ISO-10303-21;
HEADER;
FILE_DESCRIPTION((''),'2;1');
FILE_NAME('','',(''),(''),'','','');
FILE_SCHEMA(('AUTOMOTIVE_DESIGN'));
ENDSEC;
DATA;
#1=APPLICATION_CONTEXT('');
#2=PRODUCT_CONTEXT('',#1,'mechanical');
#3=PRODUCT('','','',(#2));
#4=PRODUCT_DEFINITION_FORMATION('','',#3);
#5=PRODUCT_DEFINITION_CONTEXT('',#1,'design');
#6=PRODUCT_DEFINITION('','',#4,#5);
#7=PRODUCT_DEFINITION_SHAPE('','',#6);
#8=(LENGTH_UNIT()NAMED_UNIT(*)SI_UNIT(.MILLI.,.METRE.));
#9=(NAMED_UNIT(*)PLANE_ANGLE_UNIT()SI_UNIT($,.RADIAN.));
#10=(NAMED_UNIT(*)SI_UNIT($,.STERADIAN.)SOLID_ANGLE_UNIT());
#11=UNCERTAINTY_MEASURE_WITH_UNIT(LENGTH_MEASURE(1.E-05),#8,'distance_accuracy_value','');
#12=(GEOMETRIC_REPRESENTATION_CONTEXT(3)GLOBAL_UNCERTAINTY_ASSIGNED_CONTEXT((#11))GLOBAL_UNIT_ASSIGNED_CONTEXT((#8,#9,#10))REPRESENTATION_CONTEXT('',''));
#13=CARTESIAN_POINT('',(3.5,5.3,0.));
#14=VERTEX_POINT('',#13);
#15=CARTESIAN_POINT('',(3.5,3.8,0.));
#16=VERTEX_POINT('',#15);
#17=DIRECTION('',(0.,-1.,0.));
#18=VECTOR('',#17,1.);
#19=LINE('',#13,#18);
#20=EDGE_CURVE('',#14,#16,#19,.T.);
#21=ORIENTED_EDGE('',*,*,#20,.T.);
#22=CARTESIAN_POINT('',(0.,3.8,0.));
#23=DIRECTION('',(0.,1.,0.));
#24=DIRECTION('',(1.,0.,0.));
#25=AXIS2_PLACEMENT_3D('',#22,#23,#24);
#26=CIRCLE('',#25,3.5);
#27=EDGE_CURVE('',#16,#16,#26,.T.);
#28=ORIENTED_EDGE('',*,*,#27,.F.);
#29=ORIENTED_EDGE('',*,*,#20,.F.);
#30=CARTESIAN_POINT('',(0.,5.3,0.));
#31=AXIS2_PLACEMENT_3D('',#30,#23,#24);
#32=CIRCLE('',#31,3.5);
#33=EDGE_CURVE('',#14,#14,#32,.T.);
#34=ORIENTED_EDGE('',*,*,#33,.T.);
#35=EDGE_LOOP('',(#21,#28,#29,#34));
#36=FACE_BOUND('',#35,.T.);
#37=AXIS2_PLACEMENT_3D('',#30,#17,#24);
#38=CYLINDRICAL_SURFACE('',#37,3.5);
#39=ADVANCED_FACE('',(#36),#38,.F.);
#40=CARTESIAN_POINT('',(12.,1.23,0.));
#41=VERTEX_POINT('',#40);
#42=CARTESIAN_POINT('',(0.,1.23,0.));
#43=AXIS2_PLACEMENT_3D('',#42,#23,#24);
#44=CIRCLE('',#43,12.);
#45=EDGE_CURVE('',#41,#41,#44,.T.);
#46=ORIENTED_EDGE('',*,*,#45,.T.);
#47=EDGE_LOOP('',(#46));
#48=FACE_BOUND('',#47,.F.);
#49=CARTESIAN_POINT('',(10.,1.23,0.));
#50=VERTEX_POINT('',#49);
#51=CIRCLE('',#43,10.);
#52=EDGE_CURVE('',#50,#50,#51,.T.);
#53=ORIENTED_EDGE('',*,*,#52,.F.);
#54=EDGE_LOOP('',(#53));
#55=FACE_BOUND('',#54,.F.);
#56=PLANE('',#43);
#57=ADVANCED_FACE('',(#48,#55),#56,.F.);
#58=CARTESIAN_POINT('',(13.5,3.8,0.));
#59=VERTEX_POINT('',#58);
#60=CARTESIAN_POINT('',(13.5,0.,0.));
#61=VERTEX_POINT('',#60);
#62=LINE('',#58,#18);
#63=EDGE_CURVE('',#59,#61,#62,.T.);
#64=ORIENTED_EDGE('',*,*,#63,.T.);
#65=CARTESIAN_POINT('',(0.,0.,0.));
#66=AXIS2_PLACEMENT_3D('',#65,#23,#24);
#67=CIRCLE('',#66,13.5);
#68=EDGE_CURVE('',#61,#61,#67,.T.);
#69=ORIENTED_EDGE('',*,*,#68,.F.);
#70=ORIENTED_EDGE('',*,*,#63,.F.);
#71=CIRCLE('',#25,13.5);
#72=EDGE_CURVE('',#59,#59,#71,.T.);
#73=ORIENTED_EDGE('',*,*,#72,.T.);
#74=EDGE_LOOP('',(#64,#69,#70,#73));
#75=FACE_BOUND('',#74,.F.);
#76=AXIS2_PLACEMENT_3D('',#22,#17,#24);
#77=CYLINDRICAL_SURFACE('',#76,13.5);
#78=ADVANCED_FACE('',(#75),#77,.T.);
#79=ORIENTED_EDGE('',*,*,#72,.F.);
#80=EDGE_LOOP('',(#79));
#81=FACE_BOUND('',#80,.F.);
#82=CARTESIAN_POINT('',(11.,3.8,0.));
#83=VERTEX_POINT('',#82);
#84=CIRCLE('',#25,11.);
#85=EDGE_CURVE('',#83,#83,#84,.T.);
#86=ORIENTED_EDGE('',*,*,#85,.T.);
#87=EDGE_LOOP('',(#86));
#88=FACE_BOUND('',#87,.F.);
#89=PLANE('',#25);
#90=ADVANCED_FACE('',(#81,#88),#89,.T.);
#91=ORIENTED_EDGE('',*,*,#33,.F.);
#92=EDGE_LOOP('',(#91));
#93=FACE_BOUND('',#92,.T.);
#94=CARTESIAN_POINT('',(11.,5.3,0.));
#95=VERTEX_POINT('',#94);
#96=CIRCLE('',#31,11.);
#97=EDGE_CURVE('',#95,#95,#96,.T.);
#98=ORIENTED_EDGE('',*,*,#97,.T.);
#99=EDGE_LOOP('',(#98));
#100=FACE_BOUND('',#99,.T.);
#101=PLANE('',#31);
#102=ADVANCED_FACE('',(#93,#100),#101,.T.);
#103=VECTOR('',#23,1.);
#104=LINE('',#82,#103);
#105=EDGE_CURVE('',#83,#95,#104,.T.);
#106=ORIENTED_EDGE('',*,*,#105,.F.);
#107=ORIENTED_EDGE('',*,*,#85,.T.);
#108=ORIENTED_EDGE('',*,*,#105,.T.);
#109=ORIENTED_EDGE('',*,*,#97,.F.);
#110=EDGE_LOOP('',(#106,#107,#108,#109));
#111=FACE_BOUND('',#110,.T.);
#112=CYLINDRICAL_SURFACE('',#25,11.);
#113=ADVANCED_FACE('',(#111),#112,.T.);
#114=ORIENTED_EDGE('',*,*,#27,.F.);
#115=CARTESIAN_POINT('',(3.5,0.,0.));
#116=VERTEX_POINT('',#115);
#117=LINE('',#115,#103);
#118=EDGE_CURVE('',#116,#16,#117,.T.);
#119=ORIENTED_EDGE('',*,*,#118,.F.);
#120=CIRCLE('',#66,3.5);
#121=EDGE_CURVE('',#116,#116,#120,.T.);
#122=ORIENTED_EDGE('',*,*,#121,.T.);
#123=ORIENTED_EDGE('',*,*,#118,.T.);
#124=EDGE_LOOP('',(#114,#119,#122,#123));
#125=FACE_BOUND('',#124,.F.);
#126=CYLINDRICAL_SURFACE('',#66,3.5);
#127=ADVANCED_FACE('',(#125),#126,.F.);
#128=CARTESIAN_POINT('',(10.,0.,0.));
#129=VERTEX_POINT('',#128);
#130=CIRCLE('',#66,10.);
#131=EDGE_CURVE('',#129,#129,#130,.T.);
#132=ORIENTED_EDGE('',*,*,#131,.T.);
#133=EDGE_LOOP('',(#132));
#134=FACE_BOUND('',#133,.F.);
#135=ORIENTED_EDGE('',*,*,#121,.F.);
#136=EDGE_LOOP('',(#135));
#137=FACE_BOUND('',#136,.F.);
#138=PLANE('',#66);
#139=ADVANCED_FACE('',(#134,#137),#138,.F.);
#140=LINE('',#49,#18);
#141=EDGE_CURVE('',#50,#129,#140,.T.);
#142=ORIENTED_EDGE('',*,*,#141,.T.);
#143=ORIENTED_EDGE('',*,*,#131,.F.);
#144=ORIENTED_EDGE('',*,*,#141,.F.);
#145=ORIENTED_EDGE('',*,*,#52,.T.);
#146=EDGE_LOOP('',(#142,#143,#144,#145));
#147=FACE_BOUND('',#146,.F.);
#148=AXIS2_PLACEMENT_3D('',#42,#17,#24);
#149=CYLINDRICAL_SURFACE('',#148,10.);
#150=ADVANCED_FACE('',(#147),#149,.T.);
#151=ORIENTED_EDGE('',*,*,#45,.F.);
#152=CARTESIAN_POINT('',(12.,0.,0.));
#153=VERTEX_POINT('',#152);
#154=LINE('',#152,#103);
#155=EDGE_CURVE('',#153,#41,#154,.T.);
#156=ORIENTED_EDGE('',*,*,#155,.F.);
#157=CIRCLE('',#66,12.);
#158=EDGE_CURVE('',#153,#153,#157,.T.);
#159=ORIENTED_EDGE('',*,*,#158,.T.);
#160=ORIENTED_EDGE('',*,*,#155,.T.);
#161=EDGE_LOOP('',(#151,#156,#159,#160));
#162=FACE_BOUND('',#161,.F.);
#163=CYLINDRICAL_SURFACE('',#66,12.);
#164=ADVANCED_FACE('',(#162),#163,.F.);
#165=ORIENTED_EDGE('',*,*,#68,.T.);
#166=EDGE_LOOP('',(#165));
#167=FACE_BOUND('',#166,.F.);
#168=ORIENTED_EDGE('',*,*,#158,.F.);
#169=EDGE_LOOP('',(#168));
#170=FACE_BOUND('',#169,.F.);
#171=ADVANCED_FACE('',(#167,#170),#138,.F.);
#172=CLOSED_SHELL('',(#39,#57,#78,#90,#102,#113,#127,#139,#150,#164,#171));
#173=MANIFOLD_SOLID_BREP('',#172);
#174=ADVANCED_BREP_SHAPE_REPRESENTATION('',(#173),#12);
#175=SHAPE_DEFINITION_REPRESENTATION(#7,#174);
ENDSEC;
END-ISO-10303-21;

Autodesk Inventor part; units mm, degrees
ref_plane "YZ Plane" through (0, 0, 0) normal (1, 0, 0) x (0, 1, 0)
ref_plane "XZ Plane" through (0, 0, 0) normal (0, 1, 0) x (-1, 0, 0)
ref_plane "XY Plane" through (0, 0, 0) normal (0, 0, 1) x (1, 0, 0)
sketch "Sketch1" plane through (0, 0, 0) normal (0, 0, 1) x (1, 0, 0)
  line L0 (0, 0) -> (0, 3.0949)
  line L1 (3.5, 0) -> (3.5, 3.8)
  line L2 (3.5, 3.8) -> (13.5, 3.8)
  line L3 (13.5, 3.8) -> (13.5, 0)
  line L4 (13.5, 0) -> (12, 0)
  line L5 (12, 0) -> (12, 1.23)
  line L6 (12, 1.23) -> (10, 1.23)
  line L7 (10, 1.23) -> (10, 0)
  line L8 (10, 0) -> (3.5, 0)
  line L9 (11, 3.8) -> (11, 5.3)
  line L10 (11, 5.3) -> (3.5, 5.3)
  line L11 (3.5, 5.3) -> (3.5, 3.8)
  dimension "d0" = 7
  dimension "d1" = 27
  dimension "d2" = 2
  dimension "d3" = 1.23
  dimension "d4" = 3.8
  dimension "d5" = 20
  dimension "d7" = 22
  dimension "d8" = 1.5
revolve "Revolution1" add sketch "Sketch1" angle 360 about axis through (0, 0, 0) along (0, 1, 0)
properties part number "035" material "Polyethylene, High Density"
